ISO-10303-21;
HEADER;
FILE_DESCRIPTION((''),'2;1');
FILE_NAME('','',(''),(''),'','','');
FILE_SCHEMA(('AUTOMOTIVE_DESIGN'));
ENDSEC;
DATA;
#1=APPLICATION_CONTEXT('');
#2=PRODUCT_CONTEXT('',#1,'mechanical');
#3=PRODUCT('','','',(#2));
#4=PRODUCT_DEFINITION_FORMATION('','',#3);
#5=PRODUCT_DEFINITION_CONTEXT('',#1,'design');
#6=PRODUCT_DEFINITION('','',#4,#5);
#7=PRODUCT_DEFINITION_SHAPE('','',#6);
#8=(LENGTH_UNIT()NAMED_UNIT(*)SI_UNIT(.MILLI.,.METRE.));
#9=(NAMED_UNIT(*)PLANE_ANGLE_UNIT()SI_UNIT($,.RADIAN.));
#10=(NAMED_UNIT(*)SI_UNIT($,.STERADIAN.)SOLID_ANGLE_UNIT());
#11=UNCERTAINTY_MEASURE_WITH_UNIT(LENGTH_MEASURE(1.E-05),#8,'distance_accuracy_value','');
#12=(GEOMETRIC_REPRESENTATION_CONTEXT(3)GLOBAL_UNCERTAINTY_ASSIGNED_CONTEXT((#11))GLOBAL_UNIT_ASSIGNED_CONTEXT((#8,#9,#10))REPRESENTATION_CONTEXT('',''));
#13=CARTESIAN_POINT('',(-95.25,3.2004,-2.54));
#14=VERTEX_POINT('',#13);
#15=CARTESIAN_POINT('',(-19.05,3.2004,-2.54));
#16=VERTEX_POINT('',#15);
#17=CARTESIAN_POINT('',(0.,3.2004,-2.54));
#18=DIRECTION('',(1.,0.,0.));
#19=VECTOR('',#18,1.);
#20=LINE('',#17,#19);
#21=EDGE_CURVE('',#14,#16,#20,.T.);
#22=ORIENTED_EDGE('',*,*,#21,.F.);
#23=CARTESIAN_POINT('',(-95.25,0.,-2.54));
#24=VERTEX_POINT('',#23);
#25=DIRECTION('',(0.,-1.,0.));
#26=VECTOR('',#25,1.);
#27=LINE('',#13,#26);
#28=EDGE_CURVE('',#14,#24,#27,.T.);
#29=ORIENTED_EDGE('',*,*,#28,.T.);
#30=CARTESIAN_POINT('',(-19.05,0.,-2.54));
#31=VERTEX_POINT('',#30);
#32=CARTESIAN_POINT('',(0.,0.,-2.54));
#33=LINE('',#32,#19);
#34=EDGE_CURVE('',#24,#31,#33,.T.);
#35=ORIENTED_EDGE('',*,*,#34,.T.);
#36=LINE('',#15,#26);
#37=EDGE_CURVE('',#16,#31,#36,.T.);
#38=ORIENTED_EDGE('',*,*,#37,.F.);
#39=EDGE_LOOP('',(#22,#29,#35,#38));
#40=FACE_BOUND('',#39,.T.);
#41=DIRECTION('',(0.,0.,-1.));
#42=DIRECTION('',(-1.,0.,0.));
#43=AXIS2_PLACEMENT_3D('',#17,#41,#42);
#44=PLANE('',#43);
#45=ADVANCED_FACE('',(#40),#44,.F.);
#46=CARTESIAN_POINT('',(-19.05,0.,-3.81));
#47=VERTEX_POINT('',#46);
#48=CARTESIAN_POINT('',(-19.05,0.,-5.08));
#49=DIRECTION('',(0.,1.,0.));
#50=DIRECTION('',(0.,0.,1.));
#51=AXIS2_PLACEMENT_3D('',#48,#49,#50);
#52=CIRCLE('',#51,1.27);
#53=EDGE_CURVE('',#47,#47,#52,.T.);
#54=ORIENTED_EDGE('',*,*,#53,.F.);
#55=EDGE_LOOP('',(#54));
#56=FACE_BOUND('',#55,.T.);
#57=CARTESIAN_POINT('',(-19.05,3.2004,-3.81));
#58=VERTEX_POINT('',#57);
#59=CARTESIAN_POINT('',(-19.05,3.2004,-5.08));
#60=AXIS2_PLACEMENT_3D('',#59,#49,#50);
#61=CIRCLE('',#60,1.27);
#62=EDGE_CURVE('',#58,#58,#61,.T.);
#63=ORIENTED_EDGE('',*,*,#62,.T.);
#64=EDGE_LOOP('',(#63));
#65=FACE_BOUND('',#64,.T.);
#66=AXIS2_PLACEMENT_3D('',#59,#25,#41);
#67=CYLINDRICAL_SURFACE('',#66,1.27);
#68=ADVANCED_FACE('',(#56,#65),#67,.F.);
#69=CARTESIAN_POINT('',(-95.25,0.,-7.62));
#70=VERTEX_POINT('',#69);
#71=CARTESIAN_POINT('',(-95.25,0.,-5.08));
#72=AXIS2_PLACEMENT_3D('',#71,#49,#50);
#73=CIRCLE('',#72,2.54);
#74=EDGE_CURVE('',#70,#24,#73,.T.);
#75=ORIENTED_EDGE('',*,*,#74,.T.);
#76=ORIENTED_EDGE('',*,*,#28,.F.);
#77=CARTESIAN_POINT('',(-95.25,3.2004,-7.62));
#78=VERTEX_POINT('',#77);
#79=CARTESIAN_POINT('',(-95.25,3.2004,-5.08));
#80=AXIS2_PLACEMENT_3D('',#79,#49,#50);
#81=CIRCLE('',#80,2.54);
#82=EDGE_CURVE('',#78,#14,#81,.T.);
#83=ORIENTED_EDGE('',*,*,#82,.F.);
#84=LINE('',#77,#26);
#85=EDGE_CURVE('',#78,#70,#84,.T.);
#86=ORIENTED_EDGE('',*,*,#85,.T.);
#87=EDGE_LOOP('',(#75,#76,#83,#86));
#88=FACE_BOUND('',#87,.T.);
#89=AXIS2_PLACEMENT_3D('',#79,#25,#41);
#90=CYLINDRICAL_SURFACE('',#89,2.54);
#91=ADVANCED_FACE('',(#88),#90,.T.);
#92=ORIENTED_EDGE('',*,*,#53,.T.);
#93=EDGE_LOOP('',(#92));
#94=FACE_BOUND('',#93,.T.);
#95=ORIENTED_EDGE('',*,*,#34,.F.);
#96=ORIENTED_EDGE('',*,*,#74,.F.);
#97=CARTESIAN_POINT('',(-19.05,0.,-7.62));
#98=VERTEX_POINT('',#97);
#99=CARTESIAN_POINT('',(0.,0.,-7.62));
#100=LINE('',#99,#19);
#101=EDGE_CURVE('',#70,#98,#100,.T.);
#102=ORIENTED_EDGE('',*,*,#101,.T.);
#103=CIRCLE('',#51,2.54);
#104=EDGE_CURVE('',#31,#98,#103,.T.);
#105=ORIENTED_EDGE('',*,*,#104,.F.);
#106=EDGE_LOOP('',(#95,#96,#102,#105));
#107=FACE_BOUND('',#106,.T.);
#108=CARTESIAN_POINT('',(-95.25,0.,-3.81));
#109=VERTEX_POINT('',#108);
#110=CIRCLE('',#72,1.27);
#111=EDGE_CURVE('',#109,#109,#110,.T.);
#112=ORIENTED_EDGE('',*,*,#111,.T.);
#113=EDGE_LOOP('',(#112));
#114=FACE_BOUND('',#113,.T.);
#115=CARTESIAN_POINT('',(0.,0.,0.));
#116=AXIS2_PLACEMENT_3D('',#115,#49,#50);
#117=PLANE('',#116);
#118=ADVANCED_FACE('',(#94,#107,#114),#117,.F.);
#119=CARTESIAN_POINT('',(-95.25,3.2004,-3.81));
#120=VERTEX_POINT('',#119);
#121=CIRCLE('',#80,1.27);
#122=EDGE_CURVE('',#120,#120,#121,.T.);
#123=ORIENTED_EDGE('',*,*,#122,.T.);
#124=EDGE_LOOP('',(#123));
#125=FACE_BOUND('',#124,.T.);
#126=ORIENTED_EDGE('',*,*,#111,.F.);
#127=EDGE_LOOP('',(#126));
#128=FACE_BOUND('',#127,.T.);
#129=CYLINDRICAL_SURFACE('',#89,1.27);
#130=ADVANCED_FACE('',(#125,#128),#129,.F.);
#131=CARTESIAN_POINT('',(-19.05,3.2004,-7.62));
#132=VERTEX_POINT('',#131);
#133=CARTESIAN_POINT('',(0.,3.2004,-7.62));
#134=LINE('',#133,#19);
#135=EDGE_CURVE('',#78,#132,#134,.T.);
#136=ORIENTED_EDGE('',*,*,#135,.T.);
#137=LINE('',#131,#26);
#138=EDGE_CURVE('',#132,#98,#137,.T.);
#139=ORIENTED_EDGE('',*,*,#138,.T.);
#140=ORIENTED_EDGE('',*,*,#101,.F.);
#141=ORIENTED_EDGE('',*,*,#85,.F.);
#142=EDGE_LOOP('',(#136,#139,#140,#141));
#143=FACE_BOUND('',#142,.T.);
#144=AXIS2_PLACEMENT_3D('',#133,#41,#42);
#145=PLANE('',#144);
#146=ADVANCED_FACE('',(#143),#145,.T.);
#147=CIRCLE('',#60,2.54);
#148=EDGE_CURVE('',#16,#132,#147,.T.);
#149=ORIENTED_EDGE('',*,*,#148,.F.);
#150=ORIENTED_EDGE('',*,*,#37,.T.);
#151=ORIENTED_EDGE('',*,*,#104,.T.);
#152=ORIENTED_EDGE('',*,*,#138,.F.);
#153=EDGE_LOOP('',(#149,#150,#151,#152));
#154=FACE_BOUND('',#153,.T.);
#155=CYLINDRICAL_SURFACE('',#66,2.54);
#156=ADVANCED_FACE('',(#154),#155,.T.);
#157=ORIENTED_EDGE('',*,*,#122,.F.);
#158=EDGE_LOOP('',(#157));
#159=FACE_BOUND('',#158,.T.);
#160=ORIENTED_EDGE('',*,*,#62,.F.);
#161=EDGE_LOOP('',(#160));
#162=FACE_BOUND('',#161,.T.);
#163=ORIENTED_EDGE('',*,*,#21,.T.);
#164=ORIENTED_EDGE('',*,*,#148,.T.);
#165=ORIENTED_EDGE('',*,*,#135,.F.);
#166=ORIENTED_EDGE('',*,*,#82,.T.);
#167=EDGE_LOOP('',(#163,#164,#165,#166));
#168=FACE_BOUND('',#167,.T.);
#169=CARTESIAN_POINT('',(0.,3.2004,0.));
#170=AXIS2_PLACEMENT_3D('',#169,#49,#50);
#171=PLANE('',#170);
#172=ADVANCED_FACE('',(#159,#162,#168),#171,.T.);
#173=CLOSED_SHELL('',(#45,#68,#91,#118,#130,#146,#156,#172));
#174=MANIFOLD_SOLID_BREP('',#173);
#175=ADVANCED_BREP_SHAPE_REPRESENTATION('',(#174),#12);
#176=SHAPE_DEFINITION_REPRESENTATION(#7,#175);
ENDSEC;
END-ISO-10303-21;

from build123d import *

# Parameters (mm, degrees)
SKETCH1_R           = 1.27
BOSS_EXTRUDE1_DEPTH = 3.2004


with BuildPart() as part:
    # Sketch1 → Boss-Extrude1 (new body)
    with BuildSketch(Plane(origin=(0, 0, 0), x_dir=(1, 0, 0), z_dir=(0, 1, 0))):
        with BuildLine():
            Line((-95.249999991, 2.54), (-19.049999991, 2.54))
            ThreePointArc((-19.049999991, 2.54), (-16.509999991, 5.08), (-19.049999991, 7.62))
            Line((-19.049999991, 7.62), (-95.249999991, 7.62))
            ThreePointArc((-95.249999991, 7.62), (-97.789999991, 5.08), (-95.249999991, 2.54))
        make_face()
        with Locations(Location((-19.049999991, 5.08, 0), (0, 0, 270))):
            Circle(SKETCH1_R, mode=Mode.SUBTRACT)
        with Locations(Location((-95.249999991, 5.08, 0), (0, 0, 270))):
            Circle(SKETCH1_R, mode=Mode.SUBTRACT)
    extrude(amount=BOSS_EXTRUDE1_DEPTH)


solid = part.part
